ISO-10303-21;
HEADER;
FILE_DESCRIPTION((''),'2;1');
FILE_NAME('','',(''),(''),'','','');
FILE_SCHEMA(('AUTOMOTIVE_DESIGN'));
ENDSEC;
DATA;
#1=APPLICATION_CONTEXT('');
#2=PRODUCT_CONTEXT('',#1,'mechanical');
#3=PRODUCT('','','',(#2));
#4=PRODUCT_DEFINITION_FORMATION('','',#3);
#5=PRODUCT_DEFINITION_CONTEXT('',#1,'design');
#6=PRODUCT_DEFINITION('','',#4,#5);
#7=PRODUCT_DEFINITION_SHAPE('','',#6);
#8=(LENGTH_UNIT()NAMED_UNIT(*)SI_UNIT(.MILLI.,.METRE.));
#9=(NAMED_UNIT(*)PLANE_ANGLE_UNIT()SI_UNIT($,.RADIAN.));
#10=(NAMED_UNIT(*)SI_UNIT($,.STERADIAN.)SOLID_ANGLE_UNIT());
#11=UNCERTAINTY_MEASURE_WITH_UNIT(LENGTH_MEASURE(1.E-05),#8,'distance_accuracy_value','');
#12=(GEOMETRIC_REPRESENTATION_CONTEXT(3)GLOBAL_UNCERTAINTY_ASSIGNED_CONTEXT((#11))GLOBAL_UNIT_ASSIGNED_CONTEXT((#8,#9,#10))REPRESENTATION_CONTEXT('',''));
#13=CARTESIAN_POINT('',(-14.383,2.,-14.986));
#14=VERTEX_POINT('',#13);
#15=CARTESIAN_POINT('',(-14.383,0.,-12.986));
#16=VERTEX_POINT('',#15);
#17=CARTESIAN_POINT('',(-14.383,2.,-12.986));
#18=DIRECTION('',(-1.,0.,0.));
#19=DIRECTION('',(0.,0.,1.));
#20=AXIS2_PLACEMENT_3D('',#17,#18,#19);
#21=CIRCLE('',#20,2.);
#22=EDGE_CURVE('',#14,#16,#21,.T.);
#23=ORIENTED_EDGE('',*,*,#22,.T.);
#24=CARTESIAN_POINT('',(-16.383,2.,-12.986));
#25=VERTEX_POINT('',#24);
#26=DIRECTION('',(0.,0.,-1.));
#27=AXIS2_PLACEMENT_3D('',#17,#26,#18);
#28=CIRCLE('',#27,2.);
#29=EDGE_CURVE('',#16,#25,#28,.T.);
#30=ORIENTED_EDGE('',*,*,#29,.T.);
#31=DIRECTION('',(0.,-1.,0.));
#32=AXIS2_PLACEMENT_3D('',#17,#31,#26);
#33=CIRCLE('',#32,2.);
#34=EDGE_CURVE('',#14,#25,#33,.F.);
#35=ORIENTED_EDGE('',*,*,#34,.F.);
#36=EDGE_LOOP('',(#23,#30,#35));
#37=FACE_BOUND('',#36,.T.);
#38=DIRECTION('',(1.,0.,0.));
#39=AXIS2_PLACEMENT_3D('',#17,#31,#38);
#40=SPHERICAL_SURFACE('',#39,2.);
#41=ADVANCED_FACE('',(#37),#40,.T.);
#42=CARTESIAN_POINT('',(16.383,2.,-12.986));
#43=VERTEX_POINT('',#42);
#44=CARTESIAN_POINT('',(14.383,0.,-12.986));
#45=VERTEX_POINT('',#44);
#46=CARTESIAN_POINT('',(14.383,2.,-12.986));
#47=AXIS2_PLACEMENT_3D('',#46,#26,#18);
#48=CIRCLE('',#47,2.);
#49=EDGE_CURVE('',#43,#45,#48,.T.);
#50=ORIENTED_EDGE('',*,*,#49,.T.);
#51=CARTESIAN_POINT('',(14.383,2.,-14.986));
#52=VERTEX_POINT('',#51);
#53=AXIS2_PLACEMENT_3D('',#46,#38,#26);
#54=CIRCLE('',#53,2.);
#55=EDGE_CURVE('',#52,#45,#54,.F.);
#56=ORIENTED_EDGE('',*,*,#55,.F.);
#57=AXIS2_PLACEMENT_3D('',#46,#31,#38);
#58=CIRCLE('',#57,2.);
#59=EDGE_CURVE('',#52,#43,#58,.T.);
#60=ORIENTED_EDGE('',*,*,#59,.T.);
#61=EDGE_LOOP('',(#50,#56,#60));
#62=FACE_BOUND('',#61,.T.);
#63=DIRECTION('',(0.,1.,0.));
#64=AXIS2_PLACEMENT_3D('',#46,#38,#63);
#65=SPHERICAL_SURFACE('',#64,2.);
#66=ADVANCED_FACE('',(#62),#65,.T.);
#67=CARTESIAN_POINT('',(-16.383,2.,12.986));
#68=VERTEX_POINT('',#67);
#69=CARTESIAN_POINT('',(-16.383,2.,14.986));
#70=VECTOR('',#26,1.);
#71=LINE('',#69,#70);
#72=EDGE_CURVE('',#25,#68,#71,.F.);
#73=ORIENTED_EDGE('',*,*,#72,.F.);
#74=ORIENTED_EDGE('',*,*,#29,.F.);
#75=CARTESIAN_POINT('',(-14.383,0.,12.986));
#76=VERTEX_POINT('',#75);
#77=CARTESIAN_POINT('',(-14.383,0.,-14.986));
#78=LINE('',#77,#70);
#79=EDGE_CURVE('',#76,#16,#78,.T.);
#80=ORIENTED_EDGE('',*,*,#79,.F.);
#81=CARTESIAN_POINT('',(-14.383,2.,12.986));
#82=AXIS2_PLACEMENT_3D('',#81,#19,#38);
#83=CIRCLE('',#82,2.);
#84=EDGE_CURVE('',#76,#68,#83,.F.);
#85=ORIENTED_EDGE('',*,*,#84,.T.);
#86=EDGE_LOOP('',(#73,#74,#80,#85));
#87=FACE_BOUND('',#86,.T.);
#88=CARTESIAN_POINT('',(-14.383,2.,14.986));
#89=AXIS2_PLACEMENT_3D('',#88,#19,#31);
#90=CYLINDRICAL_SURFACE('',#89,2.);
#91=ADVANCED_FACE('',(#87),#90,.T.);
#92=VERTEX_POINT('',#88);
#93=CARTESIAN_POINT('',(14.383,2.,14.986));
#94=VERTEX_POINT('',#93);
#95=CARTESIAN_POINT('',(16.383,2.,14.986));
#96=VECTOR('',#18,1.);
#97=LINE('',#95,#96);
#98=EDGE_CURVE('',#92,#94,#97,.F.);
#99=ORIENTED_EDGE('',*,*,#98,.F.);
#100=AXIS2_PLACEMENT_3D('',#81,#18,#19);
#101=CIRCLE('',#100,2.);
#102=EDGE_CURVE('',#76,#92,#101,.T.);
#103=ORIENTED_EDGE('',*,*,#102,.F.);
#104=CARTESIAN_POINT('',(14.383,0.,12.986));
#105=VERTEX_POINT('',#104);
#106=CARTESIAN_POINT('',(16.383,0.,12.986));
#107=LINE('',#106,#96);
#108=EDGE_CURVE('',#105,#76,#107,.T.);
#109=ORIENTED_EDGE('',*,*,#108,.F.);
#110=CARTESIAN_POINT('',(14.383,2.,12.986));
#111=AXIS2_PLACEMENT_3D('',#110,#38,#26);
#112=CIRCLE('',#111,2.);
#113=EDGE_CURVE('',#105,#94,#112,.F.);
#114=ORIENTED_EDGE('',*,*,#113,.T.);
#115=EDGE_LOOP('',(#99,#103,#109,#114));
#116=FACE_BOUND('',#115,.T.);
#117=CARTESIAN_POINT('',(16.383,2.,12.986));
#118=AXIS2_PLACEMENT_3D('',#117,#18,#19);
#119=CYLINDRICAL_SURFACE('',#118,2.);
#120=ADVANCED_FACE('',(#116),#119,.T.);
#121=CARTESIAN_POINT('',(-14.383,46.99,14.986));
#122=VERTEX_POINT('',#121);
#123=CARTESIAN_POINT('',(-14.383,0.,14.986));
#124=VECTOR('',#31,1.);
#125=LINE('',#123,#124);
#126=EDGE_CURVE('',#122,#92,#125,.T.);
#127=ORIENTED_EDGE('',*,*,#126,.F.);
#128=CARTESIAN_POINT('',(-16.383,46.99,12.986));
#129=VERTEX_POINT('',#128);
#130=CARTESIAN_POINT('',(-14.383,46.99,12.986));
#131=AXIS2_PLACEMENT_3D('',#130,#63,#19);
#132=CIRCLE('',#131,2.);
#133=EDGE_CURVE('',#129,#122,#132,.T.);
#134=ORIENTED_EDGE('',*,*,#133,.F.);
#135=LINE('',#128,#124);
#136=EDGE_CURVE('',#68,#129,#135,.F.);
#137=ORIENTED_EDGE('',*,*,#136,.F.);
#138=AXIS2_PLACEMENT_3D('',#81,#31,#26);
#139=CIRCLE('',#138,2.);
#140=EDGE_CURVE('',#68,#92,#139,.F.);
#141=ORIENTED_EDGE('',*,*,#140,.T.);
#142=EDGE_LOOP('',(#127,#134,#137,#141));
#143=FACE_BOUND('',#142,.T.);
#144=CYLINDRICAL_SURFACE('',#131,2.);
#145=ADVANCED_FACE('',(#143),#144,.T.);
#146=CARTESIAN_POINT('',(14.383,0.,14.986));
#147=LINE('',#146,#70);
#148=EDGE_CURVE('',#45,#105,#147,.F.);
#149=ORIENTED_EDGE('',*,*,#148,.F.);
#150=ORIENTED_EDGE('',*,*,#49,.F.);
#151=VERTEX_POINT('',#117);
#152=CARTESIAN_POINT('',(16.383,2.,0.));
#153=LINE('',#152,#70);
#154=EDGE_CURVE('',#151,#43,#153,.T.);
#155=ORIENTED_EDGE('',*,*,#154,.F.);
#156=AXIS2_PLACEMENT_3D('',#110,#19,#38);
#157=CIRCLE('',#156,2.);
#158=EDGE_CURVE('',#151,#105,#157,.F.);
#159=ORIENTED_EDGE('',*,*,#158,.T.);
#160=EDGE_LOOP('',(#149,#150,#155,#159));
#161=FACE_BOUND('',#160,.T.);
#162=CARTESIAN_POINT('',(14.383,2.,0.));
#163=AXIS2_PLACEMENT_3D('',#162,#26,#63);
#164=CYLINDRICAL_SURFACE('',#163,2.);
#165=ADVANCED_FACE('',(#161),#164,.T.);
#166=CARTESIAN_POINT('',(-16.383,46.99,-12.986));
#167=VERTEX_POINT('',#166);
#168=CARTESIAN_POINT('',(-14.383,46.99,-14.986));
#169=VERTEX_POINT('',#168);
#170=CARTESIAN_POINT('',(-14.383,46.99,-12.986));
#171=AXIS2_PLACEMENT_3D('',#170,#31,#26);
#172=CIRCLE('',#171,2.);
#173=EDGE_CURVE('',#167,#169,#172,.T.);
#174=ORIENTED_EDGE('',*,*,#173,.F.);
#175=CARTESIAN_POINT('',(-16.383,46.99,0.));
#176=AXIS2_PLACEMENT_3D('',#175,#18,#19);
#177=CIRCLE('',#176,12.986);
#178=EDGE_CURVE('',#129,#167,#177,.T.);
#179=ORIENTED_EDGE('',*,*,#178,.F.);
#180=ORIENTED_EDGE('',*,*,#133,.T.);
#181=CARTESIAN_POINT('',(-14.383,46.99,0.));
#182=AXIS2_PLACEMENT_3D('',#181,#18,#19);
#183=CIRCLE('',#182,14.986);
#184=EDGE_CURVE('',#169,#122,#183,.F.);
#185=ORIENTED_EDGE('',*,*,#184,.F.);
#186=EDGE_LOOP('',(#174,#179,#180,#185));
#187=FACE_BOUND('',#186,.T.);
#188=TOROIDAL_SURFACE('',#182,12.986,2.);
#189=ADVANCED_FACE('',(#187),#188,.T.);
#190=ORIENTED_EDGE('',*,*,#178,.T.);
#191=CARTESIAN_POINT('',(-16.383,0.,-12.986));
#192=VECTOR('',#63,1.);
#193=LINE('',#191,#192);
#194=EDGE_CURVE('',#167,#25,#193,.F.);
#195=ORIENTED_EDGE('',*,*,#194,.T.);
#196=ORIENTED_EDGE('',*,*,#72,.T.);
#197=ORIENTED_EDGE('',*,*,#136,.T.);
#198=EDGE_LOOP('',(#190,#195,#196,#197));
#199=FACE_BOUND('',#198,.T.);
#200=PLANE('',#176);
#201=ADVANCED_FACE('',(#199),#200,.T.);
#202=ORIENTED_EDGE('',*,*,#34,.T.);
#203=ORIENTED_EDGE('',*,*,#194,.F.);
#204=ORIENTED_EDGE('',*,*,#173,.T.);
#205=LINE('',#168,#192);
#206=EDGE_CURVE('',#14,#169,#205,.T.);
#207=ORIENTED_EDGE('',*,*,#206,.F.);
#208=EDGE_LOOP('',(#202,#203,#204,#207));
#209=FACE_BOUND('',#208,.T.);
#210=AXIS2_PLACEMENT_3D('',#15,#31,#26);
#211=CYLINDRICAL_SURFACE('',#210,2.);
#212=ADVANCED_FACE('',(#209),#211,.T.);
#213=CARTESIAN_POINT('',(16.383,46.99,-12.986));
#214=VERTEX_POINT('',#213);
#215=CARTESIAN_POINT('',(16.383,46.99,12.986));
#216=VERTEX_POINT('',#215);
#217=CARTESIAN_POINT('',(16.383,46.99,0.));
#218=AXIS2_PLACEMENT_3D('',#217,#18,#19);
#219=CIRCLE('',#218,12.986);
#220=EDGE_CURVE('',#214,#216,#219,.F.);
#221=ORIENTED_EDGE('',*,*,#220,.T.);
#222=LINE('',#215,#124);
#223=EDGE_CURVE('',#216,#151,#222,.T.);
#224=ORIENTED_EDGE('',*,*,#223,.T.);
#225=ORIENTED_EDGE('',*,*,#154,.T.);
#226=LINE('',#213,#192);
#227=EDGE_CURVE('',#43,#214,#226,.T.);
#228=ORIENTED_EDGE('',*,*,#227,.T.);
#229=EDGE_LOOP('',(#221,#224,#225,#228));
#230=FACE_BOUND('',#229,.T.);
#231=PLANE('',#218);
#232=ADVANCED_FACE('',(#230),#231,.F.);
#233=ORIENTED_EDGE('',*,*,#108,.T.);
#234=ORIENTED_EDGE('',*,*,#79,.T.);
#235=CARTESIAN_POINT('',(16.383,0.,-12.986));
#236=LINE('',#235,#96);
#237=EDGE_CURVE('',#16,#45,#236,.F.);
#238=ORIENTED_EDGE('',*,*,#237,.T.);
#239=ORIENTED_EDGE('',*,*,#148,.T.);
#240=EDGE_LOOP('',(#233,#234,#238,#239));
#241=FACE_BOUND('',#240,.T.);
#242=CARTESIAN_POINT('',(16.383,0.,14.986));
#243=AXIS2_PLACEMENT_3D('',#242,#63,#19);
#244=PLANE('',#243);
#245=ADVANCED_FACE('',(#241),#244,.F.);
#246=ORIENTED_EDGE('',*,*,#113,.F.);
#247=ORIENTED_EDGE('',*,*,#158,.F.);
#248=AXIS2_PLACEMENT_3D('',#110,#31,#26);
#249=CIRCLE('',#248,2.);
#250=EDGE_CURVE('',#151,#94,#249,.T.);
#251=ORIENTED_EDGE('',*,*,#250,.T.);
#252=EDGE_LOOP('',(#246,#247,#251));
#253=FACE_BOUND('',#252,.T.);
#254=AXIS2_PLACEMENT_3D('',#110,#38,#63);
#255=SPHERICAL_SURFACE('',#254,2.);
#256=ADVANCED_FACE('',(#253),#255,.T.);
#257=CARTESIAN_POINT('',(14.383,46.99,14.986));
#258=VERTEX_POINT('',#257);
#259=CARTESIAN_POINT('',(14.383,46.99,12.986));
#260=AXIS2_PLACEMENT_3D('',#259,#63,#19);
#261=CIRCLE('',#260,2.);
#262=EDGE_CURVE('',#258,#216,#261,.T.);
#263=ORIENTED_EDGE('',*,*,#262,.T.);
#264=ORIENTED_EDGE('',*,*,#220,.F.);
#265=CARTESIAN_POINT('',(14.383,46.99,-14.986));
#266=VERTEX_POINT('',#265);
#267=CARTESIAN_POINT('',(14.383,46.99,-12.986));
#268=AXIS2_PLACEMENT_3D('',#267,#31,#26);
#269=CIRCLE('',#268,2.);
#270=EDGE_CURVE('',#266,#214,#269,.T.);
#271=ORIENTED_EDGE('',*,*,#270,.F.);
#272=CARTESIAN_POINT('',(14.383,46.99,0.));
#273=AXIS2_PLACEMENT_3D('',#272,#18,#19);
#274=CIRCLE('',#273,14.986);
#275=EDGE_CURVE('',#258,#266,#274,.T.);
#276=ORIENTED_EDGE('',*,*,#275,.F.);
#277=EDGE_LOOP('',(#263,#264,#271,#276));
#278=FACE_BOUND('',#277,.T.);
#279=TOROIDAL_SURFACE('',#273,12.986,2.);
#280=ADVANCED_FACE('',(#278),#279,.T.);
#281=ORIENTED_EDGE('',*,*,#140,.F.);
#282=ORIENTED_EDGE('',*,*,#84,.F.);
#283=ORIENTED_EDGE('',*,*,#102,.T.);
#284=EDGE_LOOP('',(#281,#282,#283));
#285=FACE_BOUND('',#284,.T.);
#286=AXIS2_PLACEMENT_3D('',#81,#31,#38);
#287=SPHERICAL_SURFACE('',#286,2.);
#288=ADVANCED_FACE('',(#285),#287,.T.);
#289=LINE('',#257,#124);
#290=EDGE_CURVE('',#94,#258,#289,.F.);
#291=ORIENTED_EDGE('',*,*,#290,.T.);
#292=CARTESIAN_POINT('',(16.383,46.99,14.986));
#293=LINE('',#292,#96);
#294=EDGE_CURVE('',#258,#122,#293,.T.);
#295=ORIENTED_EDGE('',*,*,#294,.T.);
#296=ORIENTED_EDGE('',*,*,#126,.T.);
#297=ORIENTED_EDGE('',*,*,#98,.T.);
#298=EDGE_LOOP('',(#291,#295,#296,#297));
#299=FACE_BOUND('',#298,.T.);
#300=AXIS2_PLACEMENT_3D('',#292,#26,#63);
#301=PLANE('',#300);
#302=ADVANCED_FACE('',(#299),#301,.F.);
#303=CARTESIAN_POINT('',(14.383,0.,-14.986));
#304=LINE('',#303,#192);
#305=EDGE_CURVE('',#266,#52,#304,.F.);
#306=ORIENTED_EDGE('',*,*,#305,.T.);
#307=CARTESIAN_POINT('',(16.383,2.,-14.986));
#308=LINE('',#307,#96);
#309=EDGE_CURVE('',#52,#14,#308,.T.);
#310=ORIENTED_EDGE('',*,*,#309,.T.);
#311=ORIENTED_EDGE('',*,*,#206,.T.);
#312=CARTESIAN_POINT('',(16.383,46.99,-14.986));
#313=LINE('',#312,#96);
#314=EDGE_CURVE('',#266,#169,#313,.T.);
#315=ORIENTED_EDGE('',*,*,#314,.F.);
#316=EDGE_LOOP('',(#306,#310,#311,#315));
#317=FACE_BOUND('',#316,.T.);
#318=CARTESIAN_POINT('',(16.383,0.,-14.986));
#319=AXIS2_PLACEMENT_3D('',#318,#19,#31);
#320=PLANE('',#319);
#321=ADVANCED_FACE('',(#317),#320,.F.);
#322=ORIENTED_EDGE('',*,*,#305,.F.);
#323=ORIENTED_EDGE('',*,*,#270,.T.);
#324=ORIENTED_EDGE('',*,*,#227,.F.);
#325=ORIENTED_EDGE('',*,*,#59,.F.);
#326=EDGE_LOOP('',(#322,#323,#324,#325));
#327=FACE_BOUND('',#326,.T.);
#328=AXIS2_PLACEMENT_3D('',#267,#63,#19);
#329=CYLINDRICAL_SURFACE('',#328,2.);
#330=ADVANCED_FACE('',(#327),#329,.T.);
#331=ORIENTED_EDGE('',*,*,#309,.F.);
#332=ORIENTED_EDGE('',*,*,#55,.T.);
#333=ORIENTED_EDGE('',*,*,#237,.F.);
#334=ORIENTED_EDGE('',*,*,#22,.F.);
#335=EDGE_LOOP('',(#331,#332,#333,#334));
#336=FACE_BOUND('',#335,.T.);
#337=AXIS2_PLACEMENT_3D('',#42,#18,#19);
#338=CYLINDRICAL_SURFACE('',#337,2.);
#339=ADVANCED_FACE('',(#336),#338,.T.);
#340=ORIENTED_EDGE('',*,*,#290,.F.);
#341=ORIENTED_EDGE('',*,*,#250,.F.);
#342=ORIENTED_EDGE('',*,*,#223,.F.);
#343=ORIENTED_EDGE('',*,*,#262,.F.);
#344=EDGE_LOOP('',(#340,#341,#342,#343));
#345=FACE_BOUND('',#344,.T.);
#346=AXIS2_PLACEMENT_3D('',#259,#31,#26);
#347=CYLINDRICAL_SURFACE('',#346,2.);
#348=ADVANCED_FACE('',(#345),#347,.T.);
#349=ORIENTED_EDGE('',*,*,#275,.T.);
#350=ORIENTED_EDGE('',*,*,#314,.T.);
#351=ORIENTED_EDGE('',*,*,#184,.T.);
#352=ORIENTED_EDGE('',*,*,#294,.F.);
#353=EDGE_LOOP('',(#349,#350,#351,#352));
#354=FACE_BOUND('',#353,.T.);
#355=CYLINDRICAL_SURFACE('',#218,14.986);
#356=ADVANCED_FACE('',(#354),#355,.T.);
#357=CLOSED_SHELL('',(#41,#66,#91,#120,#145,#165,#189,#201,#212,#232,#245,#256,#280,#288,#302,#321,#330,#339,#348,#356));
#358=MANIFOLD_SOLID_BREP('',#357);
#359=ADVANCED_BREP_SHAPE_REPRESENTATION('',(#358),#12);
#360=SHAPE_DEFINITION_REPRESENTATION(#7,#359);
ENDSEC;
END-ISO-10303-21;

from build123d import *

# Parameters (mm, degrees)
BOSS_EXTRUDE1_DEPTH = 16.383
FILLET1_R           = 2


with BuildPart() as part:
    # Sketch1 → Boss-Extrude1 (new, symmetric)
    with BuildSketch(Plane(origin=(0, 0, 0), x_dir=(0, 0, -1), z_dir=(1, 0, 0))):
        with BuildLine():
            Line((-14.986, 46.99), (-14.986, 0))
            Line((-14.986, 0), (14.986, 0))
            Line((14.986, 0), (14.986, 46.99))
            ThreePointArc((14.986, 46.99), (0, 61.976), (-14.986, 46.99))
        make_face()
    extrude(amount=BOSS_EXTRUDE1_DEPTH, both=True)

    # Fillet1
    fillet1_edges = [part.edges().sort_by_distance(p)[0] for p in [
        (16.383, 0, 0),
        (16.383, 23.495, -14.986),
        (16.383, 61.976, 0),
        (-16.383, 23.495, -14.986),
        (-16.383, 0, 0),
        (-16.383, 23.495, 14.986),
        (-16.383, 61.976, 0),
        (0, 0, -14.986),
        (0, 0, 14.986),
        (16.383, 23.495, 14.986),
    ]]
    fillet(fillet1_edges, radius=FILLET1_R)


solid = part.part
